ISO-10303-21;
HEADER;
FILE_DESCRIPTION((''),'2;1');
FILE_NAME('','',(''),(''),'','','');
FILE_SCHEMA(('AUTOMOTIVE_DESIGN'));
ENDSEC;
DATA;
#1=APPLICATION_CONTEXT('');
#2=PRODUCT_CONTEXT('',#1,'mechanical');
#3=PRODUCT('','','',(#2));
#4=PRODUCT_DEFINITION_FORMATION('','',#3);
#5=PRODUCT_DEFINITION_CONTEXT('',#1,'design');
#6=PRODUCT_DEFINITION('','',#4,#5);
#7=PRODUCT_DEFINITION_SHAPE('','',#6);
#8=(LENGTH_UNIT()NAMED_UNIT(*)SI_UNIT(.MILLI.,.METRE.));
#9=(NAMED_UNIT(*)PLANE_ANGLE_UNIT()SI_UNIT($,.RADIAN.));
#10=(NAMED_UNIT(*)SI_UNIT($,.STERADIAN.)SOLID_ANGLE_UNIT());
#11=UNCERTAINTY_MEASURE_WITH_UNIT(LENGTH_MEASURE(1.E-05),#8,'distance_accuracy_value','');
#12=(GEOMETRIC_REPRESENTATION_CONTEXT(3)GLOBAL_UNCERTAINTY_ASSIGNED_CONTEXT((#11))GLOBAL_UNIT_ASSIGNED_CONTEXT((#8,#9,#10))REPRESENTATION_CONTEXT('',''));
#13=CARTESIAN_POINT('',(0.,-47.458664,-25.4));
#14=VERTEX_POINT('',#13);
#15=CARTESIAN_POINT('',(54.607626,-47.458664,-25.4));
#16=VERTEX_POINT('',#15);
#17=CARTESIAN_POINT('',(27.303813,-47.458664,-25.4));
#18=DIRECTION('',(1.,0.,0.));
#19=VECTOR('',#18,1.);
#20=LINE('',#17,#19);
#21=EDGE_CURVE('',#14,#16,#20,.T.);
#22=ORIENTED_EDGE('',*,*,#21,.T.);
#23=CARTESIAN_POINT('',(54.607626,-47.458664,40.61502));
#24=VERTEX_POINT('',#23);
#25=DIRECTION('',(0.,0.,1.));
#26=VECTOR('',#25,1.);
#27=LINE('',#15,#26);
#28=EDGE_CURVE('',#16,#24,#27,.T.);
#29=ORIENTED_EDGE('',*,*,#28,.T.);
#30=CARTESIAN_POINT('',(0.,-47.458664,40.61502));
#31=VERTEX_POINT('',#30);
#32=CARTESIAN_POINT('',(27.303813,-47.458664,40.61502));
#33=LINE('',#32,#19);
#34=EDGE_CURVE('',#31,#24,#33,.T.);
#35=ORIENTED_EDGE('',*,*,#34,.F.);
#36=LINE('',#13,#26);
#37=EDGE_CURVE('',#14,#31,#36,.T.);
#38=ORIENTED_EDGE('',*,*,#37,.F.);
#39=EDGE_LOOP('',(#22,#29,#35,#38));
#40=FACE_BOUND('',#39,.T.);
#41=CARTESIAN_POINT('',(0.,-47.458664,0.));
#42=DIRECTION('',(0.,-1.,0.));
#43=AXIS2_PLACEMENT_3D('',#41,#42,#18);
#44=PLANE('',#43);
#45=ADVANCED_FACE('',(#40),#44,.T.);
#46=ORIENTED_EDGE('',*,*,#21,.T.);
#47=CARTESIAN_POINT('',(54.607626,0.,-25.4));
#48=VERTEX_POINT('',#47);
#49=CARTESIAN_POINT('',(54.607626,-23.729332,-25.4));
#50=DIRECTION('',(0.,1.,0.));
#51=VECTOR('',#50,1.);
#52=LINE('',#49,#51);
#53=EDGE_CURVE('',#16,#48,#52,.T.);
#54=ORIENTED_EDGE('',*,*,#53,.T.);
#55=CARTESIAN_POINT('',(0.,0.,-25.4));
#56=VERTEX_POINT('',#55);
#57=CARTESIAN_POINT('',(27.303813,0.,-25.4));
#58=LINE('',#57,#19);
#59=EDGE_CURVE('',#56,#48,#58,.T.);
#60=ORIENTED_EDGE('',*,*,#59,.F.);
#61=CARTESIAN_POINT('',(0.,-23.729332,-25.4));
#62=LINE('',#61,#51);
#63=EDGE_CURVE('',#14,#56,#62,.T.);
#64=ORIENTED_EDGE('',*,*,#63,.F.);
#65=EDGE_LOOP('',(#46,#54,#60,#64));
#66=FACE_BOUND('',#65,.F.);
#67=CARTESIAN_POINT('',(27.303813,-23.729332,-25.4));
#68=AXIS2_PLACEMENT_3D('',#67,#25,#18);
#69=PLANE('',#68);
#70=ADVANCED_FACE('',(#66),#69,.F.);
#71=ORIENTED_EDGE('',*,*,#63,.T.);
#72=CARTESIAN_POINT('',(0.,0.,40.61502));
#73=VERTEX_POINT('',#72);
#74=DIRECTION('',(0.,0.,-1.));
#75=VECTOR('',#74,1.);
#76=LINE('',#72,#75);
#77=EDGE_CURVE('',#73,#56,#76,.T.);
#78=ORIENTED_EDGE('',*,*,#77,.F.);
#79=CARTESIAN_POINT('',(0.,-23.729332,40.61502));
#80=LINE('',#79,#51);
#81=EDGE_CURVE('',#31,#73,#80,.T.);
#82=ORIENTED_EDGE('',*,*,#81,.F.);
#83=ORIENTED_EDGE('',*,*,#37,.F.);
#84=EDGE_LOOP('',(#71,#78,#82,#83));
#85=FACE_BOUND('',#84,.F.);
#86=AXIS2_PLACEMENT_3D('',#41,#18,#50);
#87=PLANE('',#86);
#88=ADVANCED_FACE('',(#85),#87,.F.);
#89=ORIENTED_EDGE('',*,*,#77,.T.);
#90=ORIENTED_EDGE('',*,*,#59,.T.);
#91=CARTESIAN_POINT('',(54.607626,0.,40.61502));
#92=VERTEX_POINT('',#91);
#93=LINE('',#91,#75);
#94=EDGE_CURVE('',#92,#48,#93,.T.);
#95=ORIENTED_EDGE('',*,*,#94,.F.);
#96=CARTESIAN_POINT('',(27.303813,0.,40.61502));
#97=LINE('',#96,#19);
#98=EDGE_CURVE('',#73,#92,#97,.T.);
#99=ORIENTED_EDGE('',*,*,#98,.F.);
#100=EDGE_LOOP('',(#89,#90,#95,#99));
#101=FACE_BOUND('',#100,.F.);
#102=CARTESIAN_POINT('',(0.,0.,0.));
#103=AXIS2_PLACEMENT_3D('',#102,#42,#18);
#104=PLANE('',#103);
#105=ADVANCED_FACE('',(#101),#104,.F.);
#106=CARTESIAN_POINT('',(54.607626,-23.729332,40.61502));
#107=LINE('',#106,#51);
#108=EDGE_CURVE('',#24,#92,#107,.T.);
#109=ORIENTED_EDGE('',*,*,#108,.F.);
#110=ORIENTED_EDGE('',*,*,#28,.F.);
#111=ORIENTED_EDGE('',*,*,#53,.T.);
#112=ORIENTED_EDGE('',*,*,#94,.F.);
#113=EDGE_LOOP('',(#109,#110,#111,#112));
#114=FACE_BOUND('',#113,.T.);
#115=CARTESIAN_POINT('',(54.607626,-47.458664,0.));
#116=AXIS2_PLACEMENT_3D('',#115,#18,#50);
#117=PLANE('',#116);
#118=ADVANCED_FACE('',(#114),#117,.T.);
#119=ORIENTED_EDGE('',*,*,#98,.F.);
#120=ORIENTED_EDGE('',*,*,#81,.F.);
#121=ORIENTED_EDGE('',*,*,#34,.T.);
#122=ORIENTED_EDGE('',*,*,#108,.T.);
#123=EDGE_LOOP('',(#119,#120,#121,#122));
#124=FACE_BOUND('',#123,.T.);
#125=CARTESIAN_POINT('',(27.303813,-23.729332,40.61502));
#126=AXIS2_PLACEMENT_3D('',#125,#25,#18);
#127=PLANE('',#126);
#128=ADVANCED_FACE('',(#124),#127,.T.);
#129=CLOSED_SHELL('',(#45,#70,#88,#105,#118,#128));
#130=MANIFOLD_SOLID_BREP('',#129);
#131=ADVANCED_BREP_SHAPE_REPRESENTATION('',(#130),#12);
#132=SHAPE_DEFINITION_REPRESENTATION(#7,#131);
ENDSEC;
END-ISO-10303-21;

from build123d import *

# Parameters (mm, degrees)
F0_W          = 54.607626
F0_H          = 47.458664
F0_R          = 15.253608
F1_DEPTH      = 40.61502
F1_DEPTH_BACK = 25.4


with BuildPart() as f1:
    # F0 (on Top) → F1 (new body, two sides)
    with BuildSketch(Plane.XY) as f1_sk:
        with Locations((27.303813, -23.729332)):
            Rectangle(F0_W, F0_H)
        with Locations((27.303813, -23.729332)):
            Circle(F0_R, mode=Mode.SUBTRACT)
        with Locations((27.303813, -23.729332)):
            Circle(F0_R)
    extrude(amount=F1_DEPTH)
    extrude(f1_sk.sketch, amount=-F1_DEPTH_BACK)


solid = f1.part
